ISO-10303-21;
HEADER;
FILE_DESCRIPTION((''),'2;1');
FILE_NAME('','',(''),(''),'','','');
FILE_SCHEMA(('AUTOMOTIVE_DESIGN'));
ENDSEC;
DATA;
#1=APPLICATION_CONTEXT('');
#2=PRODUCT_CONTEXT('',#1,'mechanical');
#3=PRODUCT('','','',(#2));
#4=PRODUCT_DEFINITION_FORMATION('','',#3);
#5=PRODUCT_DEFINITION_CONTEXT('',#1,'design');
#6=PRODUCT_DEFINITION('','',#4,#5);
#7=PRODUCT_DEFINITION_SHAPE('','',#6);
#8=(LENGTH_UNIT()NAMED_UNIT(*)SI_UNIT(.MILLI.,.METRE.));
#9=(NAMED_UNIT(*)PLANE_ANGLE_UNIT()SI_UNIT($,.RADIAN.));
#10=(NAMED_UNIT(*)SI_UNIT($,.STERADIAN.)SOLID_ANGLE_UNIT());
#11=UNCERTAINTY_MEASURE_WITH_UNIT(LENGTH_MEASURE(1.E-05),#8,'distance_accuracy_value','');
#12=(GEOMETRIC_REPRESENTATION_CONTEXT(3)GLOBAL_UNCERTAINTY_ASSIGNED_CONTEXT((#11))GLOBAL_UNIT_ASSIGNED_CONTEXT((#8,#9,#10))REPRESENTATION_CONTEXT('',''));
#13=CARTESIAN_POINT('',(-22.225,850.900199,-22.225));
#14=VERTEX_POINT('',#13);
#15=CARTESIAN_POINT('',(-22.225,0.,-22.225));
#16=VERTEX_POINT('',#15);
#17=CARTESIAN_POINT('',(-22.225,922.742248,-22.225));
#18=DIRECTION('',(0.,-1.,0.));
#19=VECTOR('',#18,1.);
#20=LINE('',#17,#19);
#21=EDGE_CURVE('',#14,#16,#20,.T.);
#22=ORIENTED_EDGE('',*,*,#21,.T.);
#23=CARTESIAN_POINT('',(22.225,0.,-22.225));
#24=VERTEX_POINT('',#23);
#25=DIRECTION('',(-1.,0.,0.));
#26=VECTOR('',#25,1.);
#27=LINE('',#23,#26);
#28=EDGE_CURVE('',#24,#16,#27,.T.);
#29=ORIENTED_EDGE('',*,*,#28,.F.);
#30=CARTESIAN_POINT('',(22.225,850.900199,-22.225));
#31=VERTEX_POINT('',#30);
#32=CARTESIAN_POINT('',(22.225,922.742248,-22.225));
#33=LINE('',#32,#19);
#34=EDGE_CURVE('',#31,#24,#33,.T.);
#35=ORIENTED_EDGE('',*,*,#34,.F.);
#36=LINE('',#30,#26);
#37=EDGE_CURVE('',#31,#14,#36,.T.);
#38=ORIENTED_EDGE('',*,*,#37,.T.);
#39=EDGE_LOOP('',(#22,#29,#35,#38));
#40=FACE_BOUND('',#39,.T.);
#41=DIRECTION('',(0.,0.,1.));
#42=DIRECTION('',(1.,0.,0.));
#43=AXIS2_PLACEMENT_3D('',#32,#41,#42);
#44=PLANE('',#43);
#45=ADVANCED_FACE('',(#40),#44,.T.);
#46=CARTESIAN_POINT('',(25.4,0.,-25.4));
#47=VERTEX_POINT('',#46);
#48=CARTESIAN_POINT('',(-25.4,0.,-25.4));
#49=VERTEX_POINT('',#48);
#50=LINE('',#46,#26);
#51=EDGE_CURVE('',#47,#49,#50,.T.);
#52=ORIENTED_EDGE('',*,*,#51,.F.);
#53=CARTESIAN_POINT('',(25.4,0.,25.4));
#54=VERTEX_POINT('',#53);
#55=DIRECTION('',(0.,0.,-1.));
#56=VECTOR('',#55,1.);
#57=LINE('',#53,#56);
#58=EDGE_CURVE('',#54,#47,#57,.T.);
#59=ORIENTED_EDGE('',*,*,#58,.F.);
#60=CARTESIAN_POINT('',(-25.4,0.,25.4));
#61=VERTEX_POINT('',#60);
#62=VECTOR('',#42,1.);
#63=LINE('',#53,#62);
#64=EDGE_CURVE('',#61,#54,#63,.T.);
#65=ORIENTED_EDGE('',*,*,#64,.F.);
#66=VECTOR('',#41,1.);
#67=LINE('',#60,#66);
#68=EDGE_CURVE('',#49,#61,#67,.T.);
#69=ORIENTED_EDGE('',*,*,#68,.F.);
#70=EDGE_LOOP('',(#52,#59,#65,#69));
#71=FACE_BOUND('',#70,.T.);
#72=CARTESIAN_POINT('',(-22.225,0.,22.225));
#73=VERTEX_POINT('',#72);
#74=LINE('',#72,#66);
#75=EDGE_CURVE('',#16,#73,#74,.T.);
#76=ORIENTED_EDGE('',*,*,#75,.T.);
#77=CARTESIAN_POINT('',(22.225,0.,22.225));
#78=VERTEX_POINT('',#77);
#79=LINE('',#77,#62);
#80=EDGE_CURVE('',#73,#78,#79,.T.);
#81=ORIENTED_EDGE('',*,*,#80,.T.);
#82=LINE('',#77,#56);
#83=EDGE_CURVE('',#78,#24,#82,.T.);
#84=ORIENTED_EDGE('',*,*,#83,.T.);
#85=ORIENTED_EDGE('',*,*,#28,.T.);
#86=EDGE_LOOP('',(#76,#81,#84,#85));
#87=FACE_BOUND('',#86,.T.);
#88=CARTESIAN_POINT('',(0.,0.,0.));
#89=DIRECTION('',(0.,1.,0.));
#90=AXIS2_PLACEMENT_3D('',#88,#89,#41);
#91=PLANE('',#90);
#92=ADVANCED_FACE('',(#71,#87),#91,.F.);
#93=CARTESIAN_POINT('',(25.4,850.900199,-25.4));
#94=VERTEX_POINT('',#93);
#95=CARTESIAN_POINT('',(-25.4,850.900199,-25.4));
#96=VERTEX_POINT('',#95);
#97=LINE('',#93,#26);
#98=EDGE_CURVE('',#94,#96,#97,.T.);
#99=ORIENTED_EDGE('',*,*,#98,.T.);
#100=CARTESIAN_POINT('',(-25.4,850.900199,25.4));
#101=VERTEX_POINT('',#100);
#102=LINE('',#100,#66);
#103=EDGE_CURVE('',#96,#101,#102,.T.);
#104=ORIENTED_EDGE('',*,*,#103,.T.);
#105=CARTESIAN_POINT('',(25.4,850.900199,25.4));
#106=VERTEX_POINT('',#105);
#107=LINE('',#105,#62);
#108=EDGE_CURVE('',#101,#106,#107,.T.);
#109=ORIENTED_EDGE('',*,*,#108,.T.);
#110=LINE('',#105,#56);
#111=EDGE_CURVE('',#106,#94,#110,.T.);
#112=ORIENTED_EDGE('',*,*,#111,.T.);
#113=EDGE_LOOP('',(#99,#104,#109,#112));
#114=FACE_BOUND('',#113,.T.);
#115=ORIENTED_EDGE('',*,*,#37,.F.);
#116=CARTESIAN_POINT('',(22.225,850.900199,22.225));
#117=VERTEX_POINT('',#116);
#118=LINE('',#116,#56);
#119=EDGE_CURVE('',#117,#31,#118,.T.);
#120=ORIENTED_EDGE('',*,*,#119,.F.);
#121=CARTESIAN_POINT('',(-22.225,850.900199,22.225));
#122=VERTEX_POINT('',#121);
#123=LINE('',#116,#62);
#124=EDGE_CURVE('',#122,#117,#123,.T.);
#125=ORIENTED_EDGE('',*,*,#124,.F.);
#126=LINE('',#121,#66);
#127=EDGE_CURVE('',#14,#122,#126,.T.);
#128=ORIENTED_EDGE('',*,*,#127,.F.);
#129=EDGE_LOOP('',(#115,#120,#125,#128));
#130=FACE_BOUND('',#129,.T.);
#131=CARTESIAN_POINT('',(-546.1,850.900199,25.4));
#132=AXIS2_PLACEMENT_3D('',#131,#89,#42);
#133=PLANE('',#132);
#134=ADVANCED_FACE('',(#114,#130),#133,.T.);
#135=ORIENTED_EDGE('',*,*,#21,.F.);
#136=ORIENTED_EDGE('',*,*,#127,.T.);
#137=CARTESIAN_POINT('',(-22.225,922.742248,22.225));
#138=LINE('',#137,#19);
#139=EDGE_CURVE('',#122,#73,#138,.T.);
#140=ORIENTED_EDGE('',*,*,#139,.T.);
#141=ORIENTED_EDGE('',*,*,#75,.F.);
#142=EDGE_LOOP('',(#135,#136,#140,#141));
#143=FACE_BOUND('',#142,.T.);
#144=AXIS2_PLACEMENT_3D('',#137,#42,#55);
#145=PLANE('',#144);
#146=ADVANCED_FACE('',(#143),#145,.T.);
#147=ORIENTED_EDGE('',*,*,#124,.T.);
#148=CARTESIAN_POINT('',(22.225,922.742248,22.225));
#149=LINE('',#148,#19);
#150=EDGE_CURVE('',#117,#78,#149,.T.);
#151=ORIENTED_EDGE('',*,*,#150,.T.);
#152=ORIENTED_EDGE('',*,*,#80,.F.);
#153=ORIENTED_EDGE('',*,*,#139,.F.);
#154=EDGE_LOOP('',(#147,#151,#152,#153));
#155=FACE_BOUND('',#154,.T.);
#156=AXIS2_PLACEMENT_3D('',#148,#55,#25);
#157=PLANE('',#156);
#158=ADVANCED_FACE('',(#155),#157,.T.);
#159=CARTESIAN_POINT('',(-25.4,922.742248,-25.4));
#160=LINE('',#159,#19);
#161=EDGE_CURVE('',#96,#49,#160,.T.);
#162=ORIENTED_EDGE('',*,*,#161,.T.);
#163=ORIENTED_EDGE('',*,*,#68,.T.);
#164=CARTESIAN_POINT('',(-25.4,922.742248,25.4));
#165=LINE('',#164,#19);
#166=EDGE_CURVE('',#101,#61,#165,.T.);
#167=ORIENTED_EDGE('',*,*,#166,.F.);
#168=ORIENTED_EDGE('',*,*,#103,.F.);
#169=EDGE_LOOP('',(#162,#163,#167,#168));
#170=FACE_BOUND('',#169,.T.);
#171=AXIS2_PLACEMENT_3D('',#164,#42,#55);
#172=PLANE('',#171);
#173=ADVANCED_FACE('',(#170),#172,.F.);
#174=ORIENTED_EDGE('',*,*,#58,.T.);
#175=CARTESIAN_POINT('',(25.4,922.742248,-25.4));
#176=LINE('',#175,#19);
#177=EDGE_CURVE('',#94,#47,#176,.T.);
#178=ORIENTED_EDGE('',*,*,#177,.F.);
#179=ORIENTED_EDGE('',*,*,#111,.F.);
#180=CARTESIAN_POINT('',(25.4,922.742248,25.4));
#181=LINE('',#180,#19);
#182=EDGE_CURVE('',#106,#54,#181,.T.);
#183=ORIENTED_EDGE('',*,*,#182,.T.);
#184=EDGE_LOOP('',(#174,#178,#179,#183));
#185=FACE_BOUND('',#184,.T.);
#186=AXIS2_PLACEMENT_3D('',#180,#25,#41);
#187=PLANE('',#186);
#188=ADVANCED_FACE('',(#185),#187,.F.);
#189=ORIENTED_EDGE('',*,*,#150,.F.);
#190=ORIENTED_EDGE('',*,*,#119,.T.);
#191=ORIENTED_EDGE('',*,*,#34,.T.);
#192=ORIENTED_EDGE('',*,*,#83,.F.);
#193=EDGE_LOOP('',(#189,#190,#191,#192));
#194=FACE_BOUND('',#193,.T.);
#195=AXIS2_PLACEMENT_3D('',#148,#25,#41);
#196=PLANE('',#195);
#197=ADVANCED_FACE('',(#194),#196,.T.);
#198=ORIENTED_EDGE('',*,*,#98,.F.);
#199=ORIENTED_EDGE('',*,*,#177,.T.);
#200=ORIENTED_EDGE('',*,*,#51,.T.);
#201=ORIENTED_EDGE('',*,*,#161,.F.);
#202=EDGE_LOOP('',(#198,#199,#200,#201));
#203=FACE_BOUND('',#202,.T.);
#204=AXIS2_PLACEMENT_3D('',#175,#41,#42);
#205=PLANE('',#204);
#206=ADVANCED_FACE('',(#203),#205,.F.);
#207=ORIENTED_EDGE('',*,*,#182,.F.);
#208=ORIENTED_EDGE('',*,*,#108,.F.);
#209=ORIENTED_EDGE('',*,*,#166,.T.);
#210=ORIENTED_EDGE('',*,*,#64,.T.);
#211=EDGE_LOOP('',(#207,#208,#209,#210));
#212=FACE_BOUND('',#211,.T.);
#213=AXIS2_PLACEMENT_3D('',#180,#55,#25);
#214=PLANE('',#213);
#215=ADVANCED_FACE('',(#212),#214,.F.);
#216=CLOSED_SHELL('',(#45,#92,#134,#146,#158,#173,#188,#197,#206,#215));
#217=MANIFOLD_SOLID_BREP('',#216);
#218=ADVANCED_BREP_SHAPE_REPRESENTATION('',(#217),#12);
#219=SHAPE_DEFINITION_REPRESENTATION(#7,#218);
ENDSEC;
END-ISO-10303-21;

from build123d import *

# Parameters (mm, degrees)
SKETCH1_W           = 50.8
SKETCH1_H           = 50.8
SKETCH1_W_2         = 44.45
SKETCH1_H_2         = 44.45
BOSS_EXTRUDE1_DEPTH = 850.900199


with BuildPart() as part:
    # Sketch1 → Boss-Extrude1 (new body)
    with BuildSketch(Plane(origin=(0, 0, 0), x_dir=(1, 0, 0), z_dir=(0, 1, 0))):
        Rectangle(SKETCH1_W, SKETCH1_H)
        Rectangle(SKETCH1_W_2, SKETCH1_H_2, mode=Mode.SUBTRACT)
    extrude(amount=BOSS_EXTRUDE1_DEPTH)


solid = part.part
